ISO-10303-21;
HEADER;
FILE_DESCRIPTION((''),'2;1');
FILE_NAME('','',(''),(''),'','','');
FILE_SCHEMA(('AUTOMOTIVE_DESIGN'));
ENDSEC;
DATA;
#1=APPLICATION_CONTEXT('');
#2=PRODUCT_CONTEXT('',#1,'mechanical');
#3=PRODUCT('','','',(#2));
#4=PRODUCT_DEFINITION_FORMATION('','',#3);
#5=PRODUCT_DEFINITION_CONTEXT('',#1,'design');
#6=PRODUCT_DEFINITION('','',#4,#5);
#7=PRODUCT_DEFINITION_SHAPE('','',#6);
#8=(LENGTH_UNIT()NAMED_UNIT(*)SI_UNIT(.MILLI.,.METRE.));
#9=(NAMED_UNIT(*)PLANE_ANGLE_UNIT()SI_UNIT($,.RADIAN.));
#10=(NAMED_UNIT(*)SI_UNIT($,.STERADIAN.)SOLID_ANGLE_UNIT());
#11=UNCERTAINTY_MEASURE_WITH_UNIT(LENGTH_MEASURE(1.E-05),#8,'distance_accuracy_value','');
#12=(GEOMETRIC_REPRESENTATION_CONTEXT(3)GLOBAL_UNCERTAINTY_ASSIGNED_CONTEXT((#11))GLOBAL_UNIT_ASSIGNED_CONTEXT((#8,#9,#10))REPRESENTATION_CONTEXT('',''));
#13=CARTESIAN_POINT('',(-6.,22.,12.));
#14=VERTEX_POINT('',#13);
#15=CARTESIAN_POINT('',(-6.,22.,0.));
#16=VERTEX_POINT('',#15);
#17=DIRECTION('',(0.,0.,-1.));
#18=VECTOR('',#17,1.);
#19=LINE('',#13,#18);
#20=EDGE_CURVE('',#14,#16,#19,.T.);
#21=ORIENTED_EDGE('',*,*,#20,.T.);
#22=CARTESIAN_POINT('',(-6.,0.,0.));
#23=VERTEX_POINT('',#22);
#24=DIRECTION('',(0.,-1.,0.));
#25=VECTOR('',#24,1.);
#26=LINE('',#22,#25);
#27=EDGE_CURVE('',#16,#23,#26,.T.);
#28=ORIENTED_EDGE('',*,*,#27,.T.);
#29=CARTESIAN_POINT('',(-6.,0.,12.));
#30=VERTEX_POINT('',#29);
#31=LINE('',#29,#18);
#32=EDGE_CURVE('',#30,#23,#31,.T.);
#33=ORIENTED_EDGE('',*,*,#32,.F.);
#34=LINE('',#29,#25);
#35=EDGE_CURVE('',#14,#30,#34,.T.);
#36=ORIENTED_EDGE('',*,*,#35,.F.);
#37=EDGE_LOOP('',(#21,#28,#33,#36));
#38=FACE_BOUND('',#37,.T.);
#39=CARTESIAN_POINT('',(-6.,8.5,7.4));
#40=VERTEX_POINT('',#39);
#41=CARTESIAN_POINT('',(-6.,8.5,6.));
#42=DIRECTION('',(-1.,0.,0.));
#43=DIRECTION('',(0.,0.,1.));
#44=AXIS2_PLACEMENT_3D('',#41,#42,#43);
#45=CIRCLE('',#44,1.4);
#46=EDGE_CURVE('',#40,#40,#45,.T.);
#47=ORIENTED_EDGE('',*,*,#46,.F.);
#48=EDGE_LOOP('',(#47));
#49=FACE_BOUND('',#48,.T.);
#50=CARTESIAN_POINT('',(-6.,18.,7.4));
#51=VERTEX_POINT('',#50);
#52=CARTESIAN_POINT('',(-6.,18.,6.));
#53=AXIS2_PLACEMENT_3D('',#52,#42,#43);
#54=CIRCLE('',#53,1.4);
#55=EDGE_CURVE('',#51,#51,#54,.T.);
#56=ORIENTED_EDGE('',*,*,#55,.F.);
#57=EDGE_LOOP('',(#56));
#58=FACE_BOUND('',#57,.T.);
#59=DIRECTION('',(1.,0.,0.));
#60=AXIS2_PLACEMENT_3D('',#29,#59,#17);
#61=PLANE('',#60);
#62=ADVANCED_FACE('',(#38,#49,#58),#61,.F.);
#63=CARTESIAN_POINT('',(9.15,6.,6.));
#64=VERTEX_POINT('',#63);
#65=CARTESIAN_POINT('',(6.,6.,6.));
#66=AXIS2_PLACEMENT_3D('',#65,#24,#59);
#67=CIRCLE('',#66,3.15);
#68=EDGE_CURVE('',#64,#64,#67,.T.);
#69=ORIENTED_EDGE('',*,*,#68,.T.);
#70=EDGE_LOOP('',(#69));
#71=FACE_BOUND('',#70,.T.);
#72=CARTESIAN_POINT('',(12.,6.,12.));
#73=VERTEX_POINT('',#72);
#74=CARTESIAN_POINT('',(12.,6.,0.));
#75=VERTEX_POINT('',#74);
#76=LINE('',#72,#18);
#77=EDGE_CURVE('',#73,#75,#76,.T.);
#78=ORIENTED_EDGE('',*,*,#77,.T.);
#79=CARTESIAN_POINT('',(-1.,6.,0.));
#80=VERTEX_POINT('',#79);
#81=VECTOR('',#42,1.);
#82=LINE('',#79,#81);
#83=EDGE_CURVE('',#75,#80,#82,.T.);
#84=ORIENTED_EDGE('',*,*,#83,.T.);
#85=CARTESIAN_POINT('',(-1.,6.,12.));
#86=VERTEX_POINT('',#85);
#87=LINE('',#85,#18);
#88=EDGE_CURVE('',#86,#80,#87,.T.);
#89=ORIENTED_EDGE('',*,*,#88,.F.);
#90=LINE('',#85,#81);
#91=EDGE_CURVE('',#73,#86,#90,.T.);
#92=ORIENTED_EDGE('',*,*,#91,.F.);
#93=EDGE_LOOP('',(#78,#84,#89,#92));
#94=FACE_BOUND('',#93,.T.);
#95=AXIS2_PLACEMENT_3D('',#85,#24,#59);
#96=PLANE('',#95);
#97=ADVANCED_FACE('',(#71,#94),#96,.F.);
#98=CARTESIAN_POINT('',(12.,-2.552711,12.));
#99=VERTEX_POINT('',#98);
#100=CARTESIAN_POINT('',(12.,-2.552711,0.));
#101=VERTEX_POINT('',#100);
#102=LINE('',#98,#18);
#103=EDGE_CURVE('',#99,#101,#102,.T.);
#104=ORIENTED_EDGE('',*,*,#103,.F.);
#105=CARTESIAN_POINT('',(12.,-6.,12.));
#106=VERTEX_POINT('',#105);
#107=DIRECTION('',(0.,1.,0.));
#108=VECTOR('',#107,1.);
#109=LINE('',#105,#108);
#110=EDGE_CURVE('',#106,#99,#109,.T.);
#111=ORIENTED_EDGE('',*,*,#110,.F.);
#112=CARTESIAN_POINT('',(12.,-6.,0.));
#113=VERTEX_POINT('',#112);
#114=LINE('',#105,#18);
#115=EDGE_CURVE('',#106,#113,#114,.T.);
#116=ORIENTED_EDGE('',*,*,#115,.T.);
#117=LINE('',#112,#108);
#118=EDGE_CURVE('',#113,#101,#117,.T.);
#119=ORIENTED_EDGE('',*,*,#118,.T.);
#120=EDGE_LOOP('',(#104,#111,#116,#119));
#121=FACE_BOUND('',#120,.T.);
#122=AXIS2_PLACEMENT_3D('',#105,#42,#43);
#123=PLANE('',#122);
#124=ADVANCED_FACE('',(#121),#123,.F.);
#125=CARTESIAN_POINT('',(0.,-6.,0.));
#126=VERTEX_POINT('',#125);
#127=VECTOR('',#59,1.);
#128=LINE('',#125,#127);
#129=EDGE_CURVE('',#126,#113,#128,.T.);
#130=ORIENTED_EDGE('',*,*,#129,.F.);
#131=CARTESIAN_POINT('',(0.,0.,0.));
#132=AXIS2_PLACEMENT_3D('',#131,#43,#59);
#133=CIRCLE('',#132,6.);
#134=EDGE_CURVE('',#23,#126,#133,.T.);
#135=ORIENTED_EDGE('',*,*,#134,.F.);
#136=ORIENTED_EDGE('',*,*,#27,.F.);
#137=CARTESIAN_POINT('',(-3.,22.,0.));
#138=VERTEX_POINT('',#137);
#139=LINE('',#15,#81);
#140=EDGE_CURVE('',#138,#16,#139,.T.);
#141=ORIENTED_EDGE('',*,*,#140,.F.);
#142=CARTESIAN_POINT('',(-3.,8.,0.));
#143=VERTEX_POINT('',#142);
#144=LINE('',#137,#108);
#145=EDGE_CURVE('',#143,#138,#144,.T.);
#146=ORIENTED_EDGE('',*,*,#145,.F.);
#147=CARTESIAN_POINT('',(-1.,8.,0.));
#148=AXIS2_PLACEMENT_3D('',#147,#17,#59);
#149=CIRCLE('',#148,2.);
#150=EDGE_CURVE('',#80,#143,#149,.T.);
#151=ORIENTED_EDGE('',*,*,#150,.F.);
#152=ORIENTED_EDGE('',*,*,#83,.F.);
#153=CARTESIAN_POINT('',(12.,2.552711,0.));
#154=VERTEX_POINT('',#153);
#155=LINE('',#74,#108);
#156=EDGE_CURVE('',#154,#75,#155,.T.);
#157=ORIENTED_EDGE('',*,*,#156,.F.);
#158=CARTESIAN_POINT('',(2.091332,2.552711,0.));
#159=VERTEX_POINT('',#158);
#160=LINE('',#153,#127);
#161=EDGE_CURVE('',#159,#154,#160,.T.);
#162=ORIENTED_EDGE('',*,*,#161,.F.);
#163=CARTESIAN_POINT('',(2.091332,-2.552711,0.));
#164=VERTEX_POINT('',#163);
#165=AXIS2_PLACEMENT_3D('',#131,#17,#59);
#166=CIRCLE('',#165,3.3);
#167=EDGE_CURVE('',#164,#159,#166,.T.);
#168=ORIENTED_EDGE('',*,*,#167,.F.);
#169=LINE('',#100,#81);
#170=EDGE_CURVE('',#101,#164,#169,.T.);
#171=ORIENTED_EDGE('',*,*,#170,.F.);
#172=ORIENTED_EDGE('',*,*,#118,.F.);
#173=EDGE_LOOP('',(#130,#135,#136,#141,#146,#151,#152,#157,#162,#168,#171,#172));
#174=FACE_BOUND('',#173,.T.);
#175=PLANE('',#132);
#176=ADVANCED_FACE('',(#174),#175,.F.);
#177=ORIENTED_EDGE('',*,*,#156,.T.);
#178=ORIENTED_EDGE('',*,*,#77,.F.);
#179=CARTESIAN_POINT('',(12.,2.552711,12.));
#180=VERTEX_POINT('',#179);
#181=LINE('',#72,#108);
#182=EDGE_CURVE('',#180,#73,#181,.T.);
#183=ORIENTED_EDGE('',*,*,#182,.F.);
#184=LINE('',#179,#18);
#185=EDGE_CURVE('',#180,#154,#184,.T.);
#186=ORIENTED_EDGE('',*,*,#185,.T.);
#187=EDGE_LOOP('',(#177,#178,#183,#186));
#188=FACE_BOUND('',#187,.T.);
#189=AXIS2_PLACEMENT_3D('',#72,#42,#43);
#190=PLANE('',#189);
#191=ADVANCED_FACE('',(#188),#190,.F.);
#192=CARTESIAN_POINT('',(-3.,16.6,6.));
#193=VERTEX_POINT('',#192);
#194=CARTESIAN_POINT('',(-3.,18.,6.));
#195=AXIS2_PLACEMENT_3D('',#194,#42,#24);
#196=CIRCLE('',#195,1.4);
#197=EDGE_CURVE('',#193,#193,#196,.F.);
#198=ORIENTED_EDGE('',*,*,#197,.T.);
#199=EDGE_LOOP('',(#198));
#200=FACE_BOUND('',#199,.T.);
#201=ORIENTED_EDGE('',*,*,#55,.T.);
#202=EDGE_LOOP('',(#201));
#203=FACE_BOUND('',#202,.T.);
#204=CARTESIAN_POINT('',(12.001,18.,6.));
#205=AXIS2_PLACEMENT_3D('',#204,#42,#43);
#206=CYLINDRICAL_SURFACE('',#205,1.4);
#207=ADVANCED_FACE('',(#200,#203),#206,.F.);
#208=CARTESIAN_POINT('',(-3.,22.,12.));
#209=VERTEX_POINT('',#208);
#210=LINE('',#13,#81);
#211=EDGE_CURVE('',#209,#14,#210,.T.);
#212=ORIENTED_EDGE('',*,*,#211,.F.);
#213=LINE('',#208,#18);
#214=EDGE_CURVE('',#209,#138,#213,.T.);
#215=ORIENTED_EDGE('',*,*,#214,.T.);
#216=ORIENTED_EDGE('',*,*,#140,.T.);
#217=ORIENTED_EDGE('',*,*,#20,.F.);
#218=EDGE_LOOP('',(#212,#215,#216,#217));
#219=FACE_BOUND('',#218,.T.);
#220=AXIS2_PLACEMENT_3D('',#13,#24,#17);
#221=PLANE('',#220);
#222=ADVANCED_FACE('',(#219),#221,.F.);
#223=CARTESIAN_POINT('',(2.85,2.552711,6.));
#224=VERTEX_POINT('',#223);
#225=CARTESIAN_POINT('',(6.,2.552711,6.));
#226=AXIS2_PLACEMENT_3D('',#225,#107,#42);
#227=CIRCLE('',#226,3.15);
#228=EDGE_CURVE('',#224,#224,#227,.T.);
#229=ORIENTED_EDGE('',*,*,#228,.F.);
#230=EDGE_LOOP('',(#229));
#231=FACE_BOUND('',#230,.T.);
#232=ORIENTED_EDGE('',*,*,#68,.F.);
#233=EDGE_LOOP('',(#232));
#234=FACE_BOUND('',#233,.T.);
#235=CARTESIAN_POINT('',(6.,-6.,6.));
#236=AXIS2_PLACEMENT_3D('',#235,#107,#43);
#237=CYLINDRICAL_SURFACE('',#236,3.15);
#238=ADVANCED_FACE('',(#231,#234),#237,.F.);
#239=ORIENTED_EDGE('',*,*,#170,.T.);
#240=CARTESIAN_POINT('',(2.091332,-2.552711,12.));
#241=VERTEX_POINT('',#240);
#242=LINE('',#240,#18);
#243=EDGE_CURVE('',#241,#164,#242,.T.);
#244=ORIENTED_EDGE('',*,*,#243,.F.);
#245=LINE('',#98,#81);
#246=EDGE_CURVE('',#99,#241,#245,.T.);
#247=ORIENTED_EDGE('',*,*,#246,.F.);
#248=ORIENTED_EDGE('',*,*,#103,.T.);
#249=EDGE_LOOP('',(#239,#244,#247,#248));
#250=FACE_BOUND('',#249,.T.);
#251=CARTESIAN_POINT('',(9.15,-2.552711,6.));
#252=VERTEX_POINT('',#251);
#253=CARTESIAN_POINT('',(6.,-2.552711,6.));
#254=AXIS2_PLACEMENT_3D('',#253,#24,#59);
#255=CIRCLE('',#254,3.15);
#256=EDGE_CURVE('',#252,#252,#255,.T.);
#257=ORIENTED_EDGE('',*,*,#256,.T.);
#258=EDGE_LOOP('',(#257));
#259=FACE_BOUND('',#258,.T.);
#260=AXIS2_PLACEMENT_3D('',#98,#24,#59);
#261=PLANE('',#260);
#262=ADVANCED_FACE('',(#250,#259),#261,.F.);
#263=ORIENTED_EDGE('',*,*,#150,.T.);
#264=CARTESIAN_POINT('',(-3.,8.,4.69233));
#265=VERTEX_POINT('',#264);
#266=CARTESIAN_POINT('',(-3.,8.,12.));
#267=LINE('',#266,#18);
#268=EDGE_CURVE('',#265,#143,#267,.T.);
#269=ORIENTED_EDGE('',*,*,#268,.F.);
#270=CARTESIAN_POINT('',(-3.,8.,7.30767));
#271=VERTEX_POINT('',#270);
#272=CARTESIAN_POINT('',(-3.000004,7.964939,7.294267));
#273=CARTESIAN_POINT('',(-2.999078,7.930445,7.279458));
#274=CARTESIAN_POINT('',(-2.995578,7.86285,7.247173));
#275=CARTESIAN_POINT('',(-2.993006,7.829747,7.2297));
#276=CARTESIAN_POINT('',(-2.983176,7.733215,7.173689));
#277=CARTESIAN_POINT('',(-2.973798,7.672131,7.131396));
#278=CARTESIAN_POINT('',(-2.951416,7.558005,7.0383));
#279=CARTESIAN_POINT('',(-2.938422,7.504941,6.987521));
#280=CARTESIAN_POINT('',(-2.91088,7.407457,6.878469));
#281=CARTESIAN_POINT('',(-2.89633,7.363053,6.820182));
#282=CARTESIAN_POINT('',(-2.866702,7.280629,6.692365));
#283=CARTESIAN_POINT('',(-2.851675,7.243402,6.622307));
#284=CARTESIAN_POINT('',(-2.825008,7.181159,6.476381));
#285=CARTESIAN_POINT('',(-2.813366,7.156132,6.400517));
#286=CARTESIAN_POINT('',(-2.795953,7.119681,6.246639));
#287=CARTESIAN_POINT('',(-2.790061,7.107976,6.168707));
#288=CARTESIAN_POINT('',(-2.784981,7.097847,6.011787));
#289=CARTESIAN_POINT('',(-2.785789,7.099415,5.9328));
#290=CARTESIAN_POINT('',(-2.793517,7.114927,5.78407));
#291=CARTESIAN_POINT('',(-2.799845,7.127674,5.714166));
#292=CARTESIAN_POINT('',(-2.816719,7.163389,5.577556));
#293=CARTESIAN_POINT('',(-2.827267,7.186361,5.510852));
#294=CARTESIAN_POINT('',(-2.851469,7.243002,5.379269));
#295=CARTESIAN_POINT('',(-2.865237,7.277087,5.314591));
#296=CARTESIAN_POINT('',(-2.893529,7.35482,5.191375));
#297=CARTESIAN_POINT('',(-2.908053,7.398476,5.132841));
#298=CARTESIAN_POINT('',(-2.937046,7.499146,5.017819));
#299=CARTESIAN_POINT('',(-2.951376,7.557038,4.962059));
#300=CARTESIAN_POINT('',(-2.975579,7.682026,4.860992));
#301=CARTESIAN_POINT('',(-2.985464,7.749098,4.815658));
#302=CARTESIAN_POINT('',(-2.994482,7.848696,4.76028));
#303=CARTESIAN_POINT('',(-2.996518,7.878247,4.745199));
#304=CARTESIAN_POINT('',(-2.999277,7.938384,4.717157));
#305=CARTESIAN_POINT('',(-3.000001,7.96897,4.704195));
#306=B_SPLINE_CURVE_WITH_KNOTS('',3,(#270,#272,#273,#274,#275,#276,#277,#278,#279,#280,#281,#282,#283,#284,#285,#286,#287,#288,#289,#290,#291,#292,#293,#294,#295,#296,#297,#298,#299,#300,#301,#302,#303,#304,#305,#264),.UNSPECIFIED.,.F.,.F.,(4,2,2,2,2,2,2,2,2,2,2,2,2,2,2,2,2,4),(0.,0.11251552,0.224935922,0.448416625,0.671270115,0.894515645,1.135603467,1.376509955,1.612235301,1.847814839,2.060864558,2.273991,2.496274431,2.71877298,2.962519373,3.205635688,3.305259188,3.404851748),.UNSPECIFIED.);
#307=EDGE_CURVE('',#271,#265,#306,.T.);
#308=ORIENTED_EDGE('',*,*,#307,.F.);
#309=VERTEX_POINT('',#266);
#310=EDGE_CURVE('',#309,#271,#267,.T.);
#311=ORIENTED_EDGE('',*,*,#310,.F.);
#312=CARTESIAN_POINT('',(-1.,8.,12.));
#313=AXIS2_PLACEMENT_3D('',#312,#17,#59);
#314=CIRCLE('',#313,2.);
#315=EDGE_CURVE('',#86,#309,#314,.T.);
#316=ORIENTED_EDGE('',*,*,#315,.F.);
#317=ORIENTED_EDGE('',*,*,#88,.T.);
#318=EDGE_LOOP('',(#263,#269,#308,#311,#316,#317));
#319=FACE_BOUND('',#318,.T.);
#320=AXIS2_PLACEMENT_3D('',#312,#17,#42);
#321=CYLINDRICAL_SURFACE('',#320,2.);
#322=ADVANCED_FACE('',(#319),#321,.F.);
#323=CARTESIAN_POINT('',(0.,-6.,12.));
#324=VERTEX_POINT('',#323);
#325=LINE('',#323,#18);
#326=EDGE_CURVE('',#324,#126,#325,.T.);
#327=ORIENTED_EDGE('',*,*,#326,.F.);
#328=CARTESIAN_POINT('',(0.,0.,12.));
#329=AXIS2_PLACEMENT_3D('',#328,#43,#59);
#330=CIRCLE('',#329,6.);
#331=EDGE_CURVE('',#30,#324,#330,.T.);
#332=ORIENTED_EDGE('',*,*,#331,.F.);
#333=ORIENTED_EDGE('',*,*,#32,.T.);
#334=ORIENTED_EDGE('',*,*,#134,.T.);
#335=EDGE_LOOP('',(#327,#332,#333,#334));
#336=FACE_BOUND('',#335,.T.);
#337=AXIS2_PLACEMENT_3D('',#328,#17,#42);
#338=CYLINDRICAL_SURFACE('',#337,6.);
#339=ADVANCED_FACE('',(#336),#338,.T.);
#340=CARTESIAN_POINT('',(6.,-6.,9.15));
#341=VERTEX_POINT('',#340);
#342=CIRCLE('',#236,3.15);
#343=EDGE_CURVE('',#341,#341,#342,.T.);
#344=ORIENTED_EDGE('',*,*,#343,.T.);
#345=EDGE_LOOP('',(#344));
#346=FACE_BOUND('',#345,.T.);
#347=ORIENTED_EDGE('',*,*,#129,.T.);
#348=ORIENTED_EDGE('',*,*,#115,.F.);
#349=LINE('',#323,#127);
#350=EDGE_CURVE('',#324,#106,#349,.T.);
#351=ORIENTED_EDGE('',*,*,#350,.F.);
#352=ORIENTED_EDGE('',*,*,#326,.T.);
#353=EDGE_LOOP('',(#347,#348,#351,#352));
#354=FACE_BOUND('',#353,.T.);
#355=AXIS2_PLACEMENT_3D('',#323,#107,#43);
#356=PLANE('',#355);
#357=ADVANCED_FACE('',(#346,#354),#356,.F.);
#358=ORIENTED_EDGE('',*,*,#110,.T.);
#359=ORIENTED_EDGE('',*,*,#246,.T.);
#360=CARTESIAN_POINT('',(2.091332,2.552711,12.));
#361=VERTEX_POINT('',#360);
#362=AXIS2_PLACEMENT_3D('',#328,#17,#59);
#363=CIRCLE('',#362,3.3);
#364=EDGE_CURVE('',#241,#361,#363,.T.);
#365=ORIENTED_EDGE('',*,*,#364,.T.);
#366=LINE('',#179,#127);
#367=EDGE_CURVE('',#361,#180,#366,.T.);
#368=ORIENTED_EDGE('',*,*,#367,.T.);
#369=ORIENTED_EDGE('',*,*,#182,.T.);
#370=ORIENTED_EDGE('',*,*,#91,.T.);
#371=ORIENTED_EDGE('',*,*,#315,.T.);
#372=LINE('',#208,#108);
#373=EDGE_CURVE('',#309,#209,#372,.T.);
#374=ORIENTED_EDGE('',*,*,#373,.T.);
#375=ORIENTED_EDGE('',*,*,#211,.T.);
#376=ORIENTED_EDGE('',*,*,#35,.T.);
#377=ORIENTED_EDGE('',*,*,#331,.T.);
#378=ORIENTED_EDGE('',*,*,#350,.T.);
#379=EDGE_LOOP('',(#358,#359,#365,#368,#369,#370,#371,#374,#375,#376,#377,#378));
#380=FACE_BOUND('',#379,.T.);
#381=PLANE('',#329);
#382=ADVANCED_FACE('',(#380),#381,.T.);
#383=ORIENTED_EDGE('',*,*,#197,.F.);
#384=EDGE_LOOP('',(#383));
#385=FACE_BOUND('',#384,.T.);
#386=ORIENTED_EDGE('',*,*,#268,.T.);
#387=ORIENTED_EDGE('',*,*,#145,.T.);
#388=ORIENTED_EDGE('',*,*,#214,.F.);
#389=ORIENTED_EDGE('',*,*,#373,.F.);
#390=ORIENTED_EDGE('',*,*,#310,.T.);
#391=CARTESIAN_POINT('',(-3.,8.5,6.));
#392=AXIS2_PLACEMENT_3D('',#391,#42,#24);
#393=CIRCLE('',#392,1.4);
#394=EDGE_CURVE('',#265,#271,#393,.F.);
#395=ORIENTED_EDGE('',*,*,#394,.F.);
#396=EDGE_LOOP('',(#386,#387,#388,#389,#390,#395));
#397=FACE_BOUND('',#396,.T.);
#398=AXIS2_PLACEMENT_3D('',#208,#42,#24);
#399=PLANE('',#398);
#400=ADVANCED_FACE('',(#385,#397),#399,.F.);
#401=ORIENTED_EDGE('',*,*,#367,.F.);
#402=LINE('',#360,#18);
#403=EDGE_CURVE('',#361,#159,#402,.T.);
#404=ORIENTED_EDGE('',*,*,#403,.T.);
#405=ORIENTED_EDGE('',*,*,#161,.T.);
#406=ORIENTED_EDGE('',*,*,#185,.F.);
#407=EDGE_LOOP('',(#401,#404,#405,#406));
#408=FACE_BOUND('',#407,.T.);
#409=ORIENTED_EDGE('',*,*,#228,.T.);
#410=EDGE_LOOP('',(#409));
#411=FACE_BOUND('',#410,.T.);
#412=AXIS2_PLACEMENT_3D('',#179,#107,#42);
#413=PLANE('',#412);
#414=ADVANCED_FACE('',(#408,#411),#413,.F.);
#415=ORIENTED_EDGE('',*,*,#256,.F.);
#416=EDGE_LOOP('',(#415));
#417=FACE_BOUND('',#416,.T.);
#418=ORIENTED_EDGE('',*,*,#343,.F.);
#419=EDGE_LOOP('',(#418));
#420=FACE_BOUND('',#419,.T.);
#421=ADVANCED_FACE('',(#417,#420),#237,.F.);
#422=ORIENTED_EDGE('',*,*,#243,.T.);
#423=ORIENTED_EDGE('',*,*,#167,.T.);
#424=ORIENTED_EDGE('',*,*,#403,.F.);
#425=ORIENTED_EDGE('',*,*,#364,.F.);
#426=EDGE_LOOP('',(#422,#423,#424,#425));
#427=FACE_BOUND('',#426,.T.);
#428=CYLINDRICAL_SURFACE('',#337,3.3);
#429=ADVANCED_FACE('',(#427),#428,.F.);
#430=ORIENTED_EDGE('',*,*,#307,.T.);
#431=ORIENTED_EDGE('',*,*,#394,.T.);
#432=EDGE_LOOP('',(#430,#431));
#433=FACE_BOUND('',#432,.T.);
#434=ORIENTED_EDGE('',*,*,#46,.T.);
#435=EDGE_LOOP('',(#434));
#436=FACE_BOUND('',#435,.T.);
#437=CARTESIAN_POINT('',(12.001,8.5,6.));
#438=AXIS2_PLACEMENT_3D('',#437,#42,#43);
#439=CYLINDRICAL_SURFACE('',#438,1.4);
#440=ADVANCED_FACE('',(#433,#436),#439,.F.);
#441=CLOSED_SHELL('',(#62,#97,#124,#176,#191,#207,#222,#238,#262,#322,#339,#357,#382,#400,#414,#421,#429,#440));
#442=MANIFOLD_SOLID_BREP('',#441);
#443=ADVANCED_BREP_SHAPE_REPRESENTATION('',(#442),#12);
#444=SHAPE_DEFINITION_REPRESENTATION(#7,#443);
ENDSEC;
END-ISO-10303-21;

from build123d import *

# Parameters (mm, degrees)
BOSS_EXTRUDE1_DEPTH     = 12
CUT_EXTRUDE1_DEPTH      = 28.784887979
CUT_EXTRUDE1_DEPTH_BACK = 28.784887979
SKETCH2_R               = 3.15
CUT_EXTRUDE2_REACH      = 32.854
SKETCH3_R               = 1.4


with BuildPart() as part:
    # Sketch1 → Boss-Extrude1 (new body)
    with BuildSketch(Plane.XY):
        with BuildLine():
            Line((-1, 6), (12, 6))
            Line((12, 6), (12, 2.552710574))
            Line((12, 2.552710574), (2.091331807, 2.552710574))
            ThreePointArc((2.091331807, 2.552710574), (-3.3, 0), (2.091331807, -2.552710574))
            Line((2.091331807, -2.552710574), (12, -2.552710574))
            Line((12, -2.552710574), (12, -6))
            Line((12, -6), (0, -6))
            ThreePointArc((0, -6), (-4.242640687, -4.242640687), (-6, 0))
            Line((-6, 0), (-6, 22))
            Line((-6, 22), (-3, 22))
            Line((-3, 22), (-3, 8))
            ThreePointArc((-3, 8), (-2.414213562, 6.585786438), (-1, 6))
        make_face()
    extrude(amount=BOSS_EXTRUDE1_DEPTH)

    # Sketch2 → Cut-Extrude1 (cut, two sides: drawn at the far end of the back side and taken through both)
    with BuildSketch(Plane(origin=(0, 0, 0), x_dir=(1, 0, 0), z_dir=(0, 1, 0)).offset(-CUT_EXTRUDE1_DEPTH_BACK)):
        with Locations(Location((6, -6, 0), (0, 0, 270))):
            Circle(SKETCH2_R)
    extrude(amount=CUT_EXTRUDE1_DEPTH + CUT_EXTRUDE1_DEPTH_BACK, mode=Mode.SUBTRACT)

    # Sketch3 → Cut-Extrude2 (cut, up to next)
    with BuildSketch(Plane.ZY.offset(6), mode=Mode.PRIVATE) as cut_extrude2_sk1:
        with Locations((6, 18)):
            Circle(SKETCH3_R)
    cut_extrude2_tool1 = extrude(cut_extrude2_sk1.sketch, amount=-CUT_EXTRUDE2_REACH, mode=Mode.PRIVATE) & part.part
    # Sketch3 → Cut-Extrude2 (cut, up to next)
    with BuildSketch(Plane.ZY.offset(6), mode=Mode.PRIVATE) as cut_extrude2_sk2:
        with Locations((6, 8.5)):
            Circle(SKETCH3_R)
    cut_extrude2_tool2 = extrude(cut_extrude2_sk2.sketch, amount=-CUT_EXTRUDE2_REACH, mode=Mode.PRIVATE) & part.part
    add(cut_extrude2_tool1.solids().sort_by_distance((-6, 18, 6))[0], mode=Mode.SUBTRACT)
    add(cut_extrude2_tool2.solids().sort_by_distance((-6, 8.5, 6))[0], mode=Mode.SUBTRACT)


solid = part.part
